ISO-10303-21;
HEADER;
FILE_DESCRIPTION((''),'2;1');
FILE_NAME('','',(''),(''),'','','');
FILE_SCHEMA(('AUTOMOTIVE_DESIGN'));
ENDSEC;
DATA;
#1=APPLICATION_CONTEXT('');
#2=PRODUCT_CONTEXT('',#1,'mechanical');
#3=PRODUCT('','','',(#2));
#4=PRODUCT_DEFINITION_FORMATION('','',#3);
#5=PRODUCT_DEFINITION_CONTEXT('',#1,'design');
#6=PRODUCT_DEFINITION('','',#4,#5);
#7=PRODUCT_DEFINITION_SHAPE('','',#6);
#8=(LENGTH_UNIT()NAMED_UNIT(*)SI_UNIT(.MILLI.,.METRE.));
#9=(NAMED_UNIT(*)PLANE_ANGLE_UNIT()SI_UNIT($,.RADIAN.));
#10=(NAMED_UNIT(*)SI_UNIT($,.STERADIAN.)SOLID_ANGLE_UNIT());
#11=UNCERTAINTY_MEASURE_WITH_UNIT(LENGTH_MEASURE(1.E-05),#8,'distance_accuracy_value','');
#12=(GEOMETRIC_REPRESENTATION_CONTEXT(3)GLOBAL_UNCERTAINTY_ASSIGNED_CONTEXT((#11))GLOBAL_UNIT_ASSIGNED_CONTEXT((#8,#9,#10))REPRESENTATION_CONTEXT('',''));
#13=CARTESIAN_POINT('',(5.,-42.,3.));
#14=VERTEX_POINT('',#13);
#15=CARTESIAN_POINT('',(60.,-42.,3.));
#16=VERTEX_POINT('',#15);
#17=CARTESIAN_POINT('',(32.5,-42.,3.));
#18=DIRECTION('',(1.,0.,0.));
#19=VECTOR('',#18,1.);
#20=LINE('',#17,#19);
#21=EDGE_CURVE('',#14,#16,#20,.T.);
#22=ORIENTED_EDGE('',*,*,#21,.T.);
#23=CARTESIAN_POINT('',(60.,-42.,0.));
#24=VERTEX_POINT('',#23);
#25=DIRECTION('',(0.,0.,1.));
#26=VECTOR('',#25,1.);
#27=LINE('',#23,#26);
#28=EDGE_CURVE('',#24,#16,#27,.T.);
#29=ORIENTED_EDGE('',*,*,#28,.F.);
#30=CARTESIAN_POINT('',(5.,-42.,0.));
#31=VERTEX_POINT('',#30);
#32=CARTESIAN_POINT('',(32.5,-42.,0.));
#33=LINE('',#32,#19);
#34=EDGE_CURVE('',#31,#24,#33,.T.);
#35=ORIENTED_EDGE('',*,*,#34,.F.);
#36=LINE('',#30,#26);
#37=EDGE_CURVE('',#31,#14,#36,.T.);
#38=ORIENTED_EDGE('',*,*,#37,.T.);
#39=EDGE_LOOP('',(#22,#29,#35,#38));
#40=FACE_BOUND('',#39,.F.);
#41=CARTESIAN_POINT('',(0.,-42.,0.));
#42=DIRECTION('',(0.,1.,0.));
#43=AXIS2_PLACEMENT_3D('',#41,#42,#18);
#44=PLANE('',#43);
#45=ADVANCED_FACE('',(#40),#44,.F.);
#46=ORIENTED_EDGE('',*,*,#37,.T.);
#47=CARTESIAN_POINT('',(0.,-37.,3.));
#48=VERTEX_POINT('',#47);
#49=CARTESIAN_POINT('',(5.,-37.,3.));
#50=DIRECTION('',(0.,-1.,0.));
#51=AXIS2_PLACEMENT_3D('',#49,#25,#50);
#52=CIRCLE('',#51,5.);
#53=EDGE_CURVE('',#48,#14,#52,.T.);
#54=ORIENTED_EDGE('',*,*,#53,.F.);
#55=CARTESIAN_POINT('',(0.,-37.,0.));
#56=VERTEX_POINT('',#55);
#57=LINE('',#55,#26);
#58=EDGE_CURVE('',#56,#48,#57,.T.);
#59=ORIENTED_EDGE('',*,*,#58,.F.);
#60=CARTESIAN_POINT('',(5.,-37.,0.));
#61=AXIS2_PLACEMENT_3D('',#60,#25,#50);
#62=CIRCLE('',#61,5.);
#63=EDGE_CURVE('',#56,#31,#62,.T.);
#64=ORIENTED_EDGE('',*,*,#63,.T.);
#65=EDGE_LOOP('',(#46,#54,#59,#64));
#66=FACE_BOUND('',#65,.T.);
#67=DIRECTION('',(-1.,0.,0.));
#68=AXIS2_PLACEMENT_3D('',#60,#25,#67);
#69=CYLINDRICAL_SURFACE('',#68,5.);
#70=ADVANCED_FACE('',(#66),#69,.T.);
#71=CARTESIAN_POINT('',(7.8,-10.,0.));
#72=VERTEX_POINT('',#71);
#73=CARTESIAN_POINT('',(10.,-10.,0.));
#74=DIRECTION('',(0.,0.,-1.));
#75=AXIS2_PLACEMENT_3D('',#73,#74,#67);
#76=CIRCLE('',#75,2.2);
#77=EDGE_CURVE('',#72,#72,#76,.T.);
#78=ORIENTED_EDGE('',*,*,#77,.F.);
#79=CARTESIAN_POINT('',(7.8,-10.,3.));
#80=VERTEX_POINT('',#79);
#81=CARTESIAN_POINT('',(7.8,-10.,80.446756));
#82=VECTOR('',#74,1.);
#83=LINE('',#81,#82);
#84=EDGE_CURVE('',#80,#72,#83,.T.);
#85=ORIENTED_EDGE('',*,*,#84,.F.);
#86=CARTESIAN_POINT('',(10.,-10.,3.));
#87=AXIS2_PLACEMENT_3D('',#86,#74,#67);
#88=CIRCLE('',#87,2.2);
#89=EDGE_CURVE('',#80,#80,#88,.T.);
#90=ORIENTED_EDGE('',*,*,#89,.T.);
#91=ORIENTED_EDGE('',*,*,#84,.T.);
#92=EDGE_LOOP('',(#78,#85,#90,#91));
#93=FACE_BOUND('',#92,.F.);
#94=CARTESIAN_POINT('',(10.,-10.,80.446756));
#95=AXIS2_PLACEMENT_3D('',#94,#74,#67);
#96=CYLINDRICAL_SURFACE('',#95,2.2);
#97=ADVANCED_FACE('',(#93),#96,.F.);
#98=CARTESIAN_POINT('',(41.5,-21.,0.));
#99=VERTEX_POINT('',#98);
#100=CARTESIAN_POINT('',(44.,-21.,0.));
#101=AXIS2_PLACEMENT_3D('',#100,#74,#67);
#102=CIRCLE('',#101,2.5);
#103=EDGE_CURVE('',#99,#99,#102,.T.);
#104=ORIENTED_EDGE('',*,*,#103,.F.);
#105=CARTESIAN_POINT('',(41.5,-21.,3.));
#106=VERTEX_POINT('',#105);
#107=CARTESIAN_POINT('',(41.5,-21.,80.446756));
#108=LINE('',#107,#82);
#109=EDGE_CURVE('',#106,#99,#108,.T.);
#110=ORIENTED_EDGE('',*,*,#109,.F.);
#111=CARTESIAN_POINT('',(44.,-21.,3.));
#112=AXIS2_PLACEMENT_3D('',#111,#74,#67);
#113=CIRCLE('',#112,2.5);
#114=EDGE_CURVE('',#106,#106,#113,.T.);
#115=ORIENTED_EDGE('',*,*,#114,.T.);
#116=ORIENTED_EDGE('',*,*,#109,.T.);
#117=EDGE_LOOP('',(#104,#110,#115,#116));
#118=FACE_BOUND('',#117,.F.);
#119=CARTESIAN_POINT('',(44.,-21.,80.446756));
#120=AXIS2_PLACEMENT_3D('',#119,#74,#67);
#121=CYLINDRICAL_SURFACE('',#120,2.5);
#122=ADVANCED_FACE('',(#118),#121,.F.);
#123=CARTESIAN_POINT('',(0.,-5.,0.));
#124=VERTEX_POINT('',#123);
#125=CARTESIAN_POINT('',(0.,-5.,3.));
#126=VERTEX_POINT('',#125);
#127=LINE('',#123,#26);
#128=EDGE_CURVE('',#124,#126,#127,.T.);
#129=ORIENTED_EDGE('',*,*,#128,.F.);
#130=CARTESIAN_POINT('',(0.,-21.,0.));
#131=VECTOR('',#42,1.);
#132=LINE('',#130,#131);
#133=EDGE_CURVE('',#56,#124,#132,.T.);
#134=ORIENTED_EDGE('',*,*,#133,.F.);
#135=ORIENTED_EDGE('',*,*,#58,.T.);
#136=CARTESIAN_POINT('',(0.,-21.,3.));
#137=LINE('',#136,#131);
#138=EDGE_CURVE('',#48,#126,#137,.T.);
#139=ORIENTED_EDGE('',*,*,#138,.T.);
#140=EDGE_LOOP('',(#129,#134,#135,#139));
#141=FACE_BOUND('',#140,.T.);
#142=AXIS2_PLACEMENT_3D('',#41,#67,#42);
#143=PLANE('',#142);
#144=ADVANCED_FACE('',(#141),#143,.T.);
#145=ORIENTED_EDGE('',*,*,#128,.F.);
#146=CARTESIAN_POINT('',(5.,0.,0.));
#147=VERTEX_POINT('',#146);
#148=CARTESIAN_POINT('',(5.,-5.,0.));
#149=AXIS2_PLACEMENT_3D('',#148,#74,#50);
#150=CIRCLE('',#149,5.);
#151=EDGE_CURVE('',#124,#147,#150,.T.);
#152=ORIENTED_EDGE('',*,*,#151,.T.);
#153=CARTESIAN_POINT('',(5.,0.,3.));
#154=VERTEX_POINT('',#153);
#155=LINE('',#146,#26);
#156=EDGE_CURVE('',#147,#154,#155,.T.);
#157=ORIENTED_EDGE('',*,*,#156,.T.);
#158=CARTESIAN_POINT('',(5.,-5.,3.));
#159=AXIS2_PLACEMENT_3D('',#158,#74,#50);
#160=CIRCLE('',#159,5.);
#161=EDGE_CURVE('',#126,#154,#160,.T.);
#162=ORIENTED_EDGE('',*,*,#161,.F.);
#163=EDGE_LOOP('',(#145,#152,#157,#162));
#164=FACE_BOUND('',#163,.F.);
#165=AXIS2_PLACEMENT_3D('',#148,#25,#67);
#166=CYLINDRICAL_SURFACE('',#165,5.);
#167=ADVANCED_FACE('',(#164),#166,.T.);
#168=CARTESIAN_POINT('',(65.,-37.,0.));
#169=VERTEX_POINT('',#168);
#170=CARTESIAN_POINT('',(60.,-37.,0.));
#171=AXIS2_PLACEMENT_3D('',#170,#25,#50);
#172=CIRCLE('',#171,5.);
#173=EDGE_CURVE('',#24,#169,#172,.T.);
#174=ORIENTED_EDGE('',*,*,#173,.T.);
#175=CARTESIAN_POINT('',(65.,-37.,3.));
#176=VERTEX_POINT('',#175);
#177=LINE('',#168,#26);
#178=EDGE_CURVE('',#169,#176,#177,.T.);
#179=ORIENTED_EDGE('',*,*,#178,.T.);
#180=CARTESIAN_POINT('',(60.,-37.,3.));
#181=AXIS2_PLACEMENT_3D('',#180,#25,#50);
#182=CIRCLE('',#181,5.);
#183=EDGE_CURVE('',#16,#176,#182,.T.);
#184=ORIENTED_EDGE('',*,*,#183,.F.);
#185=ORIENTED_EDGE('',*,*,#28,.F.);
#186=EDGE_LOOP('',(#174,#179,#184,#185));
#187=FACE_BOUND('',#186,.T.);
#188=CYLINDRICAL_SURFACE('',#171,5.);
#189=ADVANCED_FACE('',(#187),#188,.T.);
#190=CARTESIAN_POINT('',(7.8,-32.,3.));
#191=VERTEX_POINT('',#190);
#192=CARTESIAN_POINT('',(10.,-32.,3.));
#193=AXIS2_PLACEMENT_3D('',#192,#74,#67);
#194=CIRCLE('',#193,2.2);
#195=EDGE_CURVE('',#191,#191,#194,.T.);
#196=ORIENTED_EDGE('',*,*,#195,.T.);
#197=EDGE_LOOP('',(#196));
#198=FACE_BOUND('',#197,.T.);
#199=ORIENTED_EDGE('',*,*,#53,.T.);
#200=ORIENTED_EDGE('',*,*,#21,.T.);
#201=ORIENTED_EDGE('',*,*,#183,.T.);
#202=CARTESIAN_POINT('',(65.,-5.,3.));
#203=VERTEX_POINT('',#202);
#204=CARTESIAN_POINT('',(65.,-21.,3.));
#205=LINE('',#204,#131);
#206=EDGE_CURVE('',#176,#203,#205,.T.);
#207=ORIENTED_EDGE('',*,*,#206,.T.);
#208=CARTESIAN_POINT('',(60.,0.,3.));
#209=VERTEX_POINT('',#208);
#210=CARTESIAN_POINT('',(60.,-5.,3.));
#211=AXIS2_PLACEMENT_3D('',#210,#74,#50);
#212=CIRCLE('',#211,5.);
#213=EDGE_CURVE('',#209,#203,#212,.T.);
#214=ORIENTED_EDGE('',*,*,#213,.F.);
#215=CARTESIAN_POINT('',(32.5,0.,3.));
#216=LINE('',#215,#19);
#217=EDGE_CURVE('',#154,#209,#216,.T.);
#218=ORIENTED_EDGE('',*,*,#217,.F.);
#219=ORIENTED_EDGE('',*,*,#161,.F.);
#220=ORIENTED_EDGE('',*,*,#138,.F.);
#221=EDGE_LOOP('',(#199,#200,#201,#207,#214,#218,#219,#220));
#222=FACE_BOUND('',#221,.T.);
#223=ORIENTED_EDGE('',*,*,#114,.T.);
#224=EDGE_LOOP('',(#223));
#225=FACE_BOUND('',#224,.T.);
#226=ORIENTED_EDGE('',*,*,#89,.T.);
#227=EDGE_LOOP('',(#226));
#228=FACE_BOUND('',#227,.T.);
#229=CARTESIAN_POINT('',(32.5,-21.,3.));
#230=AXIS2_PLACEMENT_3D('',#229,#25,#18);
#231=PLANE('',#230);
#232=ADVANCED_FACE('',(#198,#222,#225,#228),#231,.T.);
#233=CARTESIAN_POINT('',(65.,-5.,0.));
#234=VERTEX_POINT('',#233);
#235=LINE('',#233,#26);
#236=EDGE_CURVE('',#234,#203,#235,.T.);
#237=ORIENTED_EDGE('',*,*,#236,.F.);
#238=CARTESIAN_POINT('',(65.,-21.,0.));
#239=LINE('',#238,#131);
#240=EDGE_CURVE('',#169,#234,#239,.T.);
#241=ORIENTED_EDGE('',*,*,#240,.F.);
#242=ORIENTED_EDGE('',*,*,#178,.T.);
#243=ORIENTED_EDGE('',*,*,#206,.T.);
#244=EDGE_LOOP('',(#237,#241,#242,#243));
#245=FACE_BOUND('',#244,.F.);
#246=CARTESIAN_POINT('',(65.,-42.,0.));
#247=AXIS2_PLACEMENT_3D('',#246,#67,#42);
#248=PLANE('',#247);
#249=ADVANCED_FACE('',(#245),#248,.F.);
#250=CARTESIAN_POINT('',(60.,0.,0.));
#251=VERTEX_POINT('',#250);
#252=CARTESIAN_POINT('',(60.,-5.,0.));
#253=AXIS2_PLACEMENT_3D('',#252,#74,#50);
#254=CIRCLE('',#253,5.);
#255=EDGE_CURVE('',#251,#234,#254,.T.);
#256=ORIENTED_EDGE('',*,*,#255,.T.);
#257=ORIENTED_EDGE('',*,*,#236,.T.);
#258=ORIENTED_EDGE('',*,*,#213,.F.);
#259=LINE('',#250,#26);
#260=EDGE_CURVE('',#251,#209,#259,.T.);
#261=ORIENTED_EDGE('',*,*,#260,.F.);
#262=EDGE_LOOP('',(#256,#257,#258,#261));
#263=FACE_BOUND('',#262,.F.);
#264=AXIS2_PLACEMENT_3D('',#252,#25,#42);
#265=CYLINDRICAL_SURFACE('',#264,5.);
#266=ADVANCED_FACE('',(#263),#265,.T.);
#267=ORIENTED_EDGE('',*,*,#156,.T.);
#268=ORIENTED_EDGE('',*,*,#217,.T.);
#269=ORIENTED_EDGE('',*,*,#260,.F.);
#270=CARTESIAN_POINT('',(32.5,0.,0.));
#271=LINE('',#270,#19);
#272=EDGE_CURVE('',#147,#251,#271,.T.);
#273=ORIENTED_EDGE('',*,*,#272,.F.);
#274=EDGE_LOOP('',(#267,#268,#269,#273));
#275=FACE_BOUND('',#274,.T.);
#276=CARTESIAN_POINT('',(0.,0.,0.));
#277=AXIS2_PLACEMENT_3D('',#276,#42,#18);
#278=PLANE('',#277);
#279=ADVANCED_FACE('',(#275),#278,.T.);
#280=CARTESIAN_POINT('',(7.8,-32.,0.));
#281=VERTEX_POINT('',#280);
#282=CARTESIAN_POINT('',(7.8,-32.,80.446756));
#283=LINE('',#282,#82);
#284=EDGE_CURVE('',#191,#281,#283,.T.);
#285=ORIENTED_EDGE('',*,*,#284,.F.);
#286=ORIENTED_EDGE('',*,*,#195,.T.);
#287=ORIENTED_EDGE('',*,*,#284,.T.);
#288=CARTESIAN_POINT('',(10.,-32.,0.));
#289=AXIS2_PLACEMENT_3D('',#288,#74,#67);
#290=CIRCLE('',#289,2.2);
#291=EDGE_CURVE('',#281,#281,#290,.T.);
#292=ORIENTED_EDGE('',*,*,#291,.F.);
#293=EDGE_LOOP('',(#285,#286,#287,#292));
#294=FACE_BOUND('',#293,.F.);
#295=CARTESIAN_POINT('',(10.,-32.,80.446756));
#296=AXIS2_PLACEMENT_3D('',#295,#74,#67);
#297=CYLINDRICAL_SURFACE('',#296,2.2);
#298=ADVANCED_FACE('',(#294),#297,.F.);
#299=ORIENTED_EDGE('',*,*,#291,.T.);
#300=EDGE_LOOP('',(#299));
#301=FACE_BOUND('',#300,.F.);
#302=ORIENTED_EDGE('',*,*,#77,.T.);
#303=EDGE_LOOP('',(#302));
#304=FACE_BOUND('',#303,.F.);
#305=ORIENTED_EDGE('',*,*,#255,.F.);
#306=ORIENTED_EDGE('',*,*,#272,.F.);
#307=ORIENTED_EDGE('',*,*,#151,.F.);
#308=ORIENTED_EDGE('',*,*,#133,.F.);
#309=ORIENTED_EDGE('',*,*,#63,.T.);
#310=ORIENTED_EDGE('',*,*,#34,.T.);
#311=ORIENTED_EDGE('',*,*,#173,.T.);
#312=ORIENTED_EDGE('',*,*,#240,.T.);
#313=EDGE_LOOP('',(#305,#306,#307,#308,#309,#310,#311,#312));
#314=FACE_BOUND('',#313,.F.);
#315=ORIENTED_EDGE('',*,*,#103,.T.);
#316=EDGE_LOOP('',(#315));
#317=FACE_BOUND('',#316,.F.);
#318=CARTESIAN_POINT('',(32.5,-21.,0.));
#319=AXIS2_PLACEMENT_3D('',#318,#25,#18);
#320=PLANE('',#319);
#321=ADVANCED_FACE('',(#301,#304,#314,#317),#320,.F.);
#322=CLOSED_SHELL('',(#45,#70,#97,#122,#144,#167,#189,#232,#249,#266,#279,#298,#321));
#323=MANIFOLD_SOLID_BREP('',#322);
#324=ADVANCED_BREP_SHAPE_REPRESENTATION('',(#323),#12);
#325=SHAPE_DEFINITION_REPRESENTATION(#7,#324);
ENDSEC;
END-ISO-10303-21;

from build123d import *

# Parameters (mm, degrees)
F0_W     = 65
F0_H     = 42
F1_DEPTH = 3
F3_D     = 4.4
F4_D     = 5
F5_R     = 5


with BuildPart() as f1:
    # F0 (on Top) → F1 (new body)
    with BuildSketch(Plane.XY):
        with Locations((32.5, -21)):
            Rectangle(F0_W, F0_H)
    extrude(amount=F1_DEPTH)

    # F3 (through all)
    with Locations(Plane.XY.offset(3)):
        with Locations((10, -10), (10, -32)):
            Hole(F3_D / 2)

    # F4 (through all)
    with Locations(Plane.XY.offset(3)):
        with Locations((44, -21)):
            Hole(F4_D / 2)

    # F5
    f5_edges = [f1.edges().sort_by_distance(p)[0] for p in [
        (0, -42, 1.5),
        (65, -42, 1.5),
        (65, 0, 1.5),
        (0, 0, 1.5),
    ]]
    fillet(f5_edges, radius=F5_R)


solid = f1.part
